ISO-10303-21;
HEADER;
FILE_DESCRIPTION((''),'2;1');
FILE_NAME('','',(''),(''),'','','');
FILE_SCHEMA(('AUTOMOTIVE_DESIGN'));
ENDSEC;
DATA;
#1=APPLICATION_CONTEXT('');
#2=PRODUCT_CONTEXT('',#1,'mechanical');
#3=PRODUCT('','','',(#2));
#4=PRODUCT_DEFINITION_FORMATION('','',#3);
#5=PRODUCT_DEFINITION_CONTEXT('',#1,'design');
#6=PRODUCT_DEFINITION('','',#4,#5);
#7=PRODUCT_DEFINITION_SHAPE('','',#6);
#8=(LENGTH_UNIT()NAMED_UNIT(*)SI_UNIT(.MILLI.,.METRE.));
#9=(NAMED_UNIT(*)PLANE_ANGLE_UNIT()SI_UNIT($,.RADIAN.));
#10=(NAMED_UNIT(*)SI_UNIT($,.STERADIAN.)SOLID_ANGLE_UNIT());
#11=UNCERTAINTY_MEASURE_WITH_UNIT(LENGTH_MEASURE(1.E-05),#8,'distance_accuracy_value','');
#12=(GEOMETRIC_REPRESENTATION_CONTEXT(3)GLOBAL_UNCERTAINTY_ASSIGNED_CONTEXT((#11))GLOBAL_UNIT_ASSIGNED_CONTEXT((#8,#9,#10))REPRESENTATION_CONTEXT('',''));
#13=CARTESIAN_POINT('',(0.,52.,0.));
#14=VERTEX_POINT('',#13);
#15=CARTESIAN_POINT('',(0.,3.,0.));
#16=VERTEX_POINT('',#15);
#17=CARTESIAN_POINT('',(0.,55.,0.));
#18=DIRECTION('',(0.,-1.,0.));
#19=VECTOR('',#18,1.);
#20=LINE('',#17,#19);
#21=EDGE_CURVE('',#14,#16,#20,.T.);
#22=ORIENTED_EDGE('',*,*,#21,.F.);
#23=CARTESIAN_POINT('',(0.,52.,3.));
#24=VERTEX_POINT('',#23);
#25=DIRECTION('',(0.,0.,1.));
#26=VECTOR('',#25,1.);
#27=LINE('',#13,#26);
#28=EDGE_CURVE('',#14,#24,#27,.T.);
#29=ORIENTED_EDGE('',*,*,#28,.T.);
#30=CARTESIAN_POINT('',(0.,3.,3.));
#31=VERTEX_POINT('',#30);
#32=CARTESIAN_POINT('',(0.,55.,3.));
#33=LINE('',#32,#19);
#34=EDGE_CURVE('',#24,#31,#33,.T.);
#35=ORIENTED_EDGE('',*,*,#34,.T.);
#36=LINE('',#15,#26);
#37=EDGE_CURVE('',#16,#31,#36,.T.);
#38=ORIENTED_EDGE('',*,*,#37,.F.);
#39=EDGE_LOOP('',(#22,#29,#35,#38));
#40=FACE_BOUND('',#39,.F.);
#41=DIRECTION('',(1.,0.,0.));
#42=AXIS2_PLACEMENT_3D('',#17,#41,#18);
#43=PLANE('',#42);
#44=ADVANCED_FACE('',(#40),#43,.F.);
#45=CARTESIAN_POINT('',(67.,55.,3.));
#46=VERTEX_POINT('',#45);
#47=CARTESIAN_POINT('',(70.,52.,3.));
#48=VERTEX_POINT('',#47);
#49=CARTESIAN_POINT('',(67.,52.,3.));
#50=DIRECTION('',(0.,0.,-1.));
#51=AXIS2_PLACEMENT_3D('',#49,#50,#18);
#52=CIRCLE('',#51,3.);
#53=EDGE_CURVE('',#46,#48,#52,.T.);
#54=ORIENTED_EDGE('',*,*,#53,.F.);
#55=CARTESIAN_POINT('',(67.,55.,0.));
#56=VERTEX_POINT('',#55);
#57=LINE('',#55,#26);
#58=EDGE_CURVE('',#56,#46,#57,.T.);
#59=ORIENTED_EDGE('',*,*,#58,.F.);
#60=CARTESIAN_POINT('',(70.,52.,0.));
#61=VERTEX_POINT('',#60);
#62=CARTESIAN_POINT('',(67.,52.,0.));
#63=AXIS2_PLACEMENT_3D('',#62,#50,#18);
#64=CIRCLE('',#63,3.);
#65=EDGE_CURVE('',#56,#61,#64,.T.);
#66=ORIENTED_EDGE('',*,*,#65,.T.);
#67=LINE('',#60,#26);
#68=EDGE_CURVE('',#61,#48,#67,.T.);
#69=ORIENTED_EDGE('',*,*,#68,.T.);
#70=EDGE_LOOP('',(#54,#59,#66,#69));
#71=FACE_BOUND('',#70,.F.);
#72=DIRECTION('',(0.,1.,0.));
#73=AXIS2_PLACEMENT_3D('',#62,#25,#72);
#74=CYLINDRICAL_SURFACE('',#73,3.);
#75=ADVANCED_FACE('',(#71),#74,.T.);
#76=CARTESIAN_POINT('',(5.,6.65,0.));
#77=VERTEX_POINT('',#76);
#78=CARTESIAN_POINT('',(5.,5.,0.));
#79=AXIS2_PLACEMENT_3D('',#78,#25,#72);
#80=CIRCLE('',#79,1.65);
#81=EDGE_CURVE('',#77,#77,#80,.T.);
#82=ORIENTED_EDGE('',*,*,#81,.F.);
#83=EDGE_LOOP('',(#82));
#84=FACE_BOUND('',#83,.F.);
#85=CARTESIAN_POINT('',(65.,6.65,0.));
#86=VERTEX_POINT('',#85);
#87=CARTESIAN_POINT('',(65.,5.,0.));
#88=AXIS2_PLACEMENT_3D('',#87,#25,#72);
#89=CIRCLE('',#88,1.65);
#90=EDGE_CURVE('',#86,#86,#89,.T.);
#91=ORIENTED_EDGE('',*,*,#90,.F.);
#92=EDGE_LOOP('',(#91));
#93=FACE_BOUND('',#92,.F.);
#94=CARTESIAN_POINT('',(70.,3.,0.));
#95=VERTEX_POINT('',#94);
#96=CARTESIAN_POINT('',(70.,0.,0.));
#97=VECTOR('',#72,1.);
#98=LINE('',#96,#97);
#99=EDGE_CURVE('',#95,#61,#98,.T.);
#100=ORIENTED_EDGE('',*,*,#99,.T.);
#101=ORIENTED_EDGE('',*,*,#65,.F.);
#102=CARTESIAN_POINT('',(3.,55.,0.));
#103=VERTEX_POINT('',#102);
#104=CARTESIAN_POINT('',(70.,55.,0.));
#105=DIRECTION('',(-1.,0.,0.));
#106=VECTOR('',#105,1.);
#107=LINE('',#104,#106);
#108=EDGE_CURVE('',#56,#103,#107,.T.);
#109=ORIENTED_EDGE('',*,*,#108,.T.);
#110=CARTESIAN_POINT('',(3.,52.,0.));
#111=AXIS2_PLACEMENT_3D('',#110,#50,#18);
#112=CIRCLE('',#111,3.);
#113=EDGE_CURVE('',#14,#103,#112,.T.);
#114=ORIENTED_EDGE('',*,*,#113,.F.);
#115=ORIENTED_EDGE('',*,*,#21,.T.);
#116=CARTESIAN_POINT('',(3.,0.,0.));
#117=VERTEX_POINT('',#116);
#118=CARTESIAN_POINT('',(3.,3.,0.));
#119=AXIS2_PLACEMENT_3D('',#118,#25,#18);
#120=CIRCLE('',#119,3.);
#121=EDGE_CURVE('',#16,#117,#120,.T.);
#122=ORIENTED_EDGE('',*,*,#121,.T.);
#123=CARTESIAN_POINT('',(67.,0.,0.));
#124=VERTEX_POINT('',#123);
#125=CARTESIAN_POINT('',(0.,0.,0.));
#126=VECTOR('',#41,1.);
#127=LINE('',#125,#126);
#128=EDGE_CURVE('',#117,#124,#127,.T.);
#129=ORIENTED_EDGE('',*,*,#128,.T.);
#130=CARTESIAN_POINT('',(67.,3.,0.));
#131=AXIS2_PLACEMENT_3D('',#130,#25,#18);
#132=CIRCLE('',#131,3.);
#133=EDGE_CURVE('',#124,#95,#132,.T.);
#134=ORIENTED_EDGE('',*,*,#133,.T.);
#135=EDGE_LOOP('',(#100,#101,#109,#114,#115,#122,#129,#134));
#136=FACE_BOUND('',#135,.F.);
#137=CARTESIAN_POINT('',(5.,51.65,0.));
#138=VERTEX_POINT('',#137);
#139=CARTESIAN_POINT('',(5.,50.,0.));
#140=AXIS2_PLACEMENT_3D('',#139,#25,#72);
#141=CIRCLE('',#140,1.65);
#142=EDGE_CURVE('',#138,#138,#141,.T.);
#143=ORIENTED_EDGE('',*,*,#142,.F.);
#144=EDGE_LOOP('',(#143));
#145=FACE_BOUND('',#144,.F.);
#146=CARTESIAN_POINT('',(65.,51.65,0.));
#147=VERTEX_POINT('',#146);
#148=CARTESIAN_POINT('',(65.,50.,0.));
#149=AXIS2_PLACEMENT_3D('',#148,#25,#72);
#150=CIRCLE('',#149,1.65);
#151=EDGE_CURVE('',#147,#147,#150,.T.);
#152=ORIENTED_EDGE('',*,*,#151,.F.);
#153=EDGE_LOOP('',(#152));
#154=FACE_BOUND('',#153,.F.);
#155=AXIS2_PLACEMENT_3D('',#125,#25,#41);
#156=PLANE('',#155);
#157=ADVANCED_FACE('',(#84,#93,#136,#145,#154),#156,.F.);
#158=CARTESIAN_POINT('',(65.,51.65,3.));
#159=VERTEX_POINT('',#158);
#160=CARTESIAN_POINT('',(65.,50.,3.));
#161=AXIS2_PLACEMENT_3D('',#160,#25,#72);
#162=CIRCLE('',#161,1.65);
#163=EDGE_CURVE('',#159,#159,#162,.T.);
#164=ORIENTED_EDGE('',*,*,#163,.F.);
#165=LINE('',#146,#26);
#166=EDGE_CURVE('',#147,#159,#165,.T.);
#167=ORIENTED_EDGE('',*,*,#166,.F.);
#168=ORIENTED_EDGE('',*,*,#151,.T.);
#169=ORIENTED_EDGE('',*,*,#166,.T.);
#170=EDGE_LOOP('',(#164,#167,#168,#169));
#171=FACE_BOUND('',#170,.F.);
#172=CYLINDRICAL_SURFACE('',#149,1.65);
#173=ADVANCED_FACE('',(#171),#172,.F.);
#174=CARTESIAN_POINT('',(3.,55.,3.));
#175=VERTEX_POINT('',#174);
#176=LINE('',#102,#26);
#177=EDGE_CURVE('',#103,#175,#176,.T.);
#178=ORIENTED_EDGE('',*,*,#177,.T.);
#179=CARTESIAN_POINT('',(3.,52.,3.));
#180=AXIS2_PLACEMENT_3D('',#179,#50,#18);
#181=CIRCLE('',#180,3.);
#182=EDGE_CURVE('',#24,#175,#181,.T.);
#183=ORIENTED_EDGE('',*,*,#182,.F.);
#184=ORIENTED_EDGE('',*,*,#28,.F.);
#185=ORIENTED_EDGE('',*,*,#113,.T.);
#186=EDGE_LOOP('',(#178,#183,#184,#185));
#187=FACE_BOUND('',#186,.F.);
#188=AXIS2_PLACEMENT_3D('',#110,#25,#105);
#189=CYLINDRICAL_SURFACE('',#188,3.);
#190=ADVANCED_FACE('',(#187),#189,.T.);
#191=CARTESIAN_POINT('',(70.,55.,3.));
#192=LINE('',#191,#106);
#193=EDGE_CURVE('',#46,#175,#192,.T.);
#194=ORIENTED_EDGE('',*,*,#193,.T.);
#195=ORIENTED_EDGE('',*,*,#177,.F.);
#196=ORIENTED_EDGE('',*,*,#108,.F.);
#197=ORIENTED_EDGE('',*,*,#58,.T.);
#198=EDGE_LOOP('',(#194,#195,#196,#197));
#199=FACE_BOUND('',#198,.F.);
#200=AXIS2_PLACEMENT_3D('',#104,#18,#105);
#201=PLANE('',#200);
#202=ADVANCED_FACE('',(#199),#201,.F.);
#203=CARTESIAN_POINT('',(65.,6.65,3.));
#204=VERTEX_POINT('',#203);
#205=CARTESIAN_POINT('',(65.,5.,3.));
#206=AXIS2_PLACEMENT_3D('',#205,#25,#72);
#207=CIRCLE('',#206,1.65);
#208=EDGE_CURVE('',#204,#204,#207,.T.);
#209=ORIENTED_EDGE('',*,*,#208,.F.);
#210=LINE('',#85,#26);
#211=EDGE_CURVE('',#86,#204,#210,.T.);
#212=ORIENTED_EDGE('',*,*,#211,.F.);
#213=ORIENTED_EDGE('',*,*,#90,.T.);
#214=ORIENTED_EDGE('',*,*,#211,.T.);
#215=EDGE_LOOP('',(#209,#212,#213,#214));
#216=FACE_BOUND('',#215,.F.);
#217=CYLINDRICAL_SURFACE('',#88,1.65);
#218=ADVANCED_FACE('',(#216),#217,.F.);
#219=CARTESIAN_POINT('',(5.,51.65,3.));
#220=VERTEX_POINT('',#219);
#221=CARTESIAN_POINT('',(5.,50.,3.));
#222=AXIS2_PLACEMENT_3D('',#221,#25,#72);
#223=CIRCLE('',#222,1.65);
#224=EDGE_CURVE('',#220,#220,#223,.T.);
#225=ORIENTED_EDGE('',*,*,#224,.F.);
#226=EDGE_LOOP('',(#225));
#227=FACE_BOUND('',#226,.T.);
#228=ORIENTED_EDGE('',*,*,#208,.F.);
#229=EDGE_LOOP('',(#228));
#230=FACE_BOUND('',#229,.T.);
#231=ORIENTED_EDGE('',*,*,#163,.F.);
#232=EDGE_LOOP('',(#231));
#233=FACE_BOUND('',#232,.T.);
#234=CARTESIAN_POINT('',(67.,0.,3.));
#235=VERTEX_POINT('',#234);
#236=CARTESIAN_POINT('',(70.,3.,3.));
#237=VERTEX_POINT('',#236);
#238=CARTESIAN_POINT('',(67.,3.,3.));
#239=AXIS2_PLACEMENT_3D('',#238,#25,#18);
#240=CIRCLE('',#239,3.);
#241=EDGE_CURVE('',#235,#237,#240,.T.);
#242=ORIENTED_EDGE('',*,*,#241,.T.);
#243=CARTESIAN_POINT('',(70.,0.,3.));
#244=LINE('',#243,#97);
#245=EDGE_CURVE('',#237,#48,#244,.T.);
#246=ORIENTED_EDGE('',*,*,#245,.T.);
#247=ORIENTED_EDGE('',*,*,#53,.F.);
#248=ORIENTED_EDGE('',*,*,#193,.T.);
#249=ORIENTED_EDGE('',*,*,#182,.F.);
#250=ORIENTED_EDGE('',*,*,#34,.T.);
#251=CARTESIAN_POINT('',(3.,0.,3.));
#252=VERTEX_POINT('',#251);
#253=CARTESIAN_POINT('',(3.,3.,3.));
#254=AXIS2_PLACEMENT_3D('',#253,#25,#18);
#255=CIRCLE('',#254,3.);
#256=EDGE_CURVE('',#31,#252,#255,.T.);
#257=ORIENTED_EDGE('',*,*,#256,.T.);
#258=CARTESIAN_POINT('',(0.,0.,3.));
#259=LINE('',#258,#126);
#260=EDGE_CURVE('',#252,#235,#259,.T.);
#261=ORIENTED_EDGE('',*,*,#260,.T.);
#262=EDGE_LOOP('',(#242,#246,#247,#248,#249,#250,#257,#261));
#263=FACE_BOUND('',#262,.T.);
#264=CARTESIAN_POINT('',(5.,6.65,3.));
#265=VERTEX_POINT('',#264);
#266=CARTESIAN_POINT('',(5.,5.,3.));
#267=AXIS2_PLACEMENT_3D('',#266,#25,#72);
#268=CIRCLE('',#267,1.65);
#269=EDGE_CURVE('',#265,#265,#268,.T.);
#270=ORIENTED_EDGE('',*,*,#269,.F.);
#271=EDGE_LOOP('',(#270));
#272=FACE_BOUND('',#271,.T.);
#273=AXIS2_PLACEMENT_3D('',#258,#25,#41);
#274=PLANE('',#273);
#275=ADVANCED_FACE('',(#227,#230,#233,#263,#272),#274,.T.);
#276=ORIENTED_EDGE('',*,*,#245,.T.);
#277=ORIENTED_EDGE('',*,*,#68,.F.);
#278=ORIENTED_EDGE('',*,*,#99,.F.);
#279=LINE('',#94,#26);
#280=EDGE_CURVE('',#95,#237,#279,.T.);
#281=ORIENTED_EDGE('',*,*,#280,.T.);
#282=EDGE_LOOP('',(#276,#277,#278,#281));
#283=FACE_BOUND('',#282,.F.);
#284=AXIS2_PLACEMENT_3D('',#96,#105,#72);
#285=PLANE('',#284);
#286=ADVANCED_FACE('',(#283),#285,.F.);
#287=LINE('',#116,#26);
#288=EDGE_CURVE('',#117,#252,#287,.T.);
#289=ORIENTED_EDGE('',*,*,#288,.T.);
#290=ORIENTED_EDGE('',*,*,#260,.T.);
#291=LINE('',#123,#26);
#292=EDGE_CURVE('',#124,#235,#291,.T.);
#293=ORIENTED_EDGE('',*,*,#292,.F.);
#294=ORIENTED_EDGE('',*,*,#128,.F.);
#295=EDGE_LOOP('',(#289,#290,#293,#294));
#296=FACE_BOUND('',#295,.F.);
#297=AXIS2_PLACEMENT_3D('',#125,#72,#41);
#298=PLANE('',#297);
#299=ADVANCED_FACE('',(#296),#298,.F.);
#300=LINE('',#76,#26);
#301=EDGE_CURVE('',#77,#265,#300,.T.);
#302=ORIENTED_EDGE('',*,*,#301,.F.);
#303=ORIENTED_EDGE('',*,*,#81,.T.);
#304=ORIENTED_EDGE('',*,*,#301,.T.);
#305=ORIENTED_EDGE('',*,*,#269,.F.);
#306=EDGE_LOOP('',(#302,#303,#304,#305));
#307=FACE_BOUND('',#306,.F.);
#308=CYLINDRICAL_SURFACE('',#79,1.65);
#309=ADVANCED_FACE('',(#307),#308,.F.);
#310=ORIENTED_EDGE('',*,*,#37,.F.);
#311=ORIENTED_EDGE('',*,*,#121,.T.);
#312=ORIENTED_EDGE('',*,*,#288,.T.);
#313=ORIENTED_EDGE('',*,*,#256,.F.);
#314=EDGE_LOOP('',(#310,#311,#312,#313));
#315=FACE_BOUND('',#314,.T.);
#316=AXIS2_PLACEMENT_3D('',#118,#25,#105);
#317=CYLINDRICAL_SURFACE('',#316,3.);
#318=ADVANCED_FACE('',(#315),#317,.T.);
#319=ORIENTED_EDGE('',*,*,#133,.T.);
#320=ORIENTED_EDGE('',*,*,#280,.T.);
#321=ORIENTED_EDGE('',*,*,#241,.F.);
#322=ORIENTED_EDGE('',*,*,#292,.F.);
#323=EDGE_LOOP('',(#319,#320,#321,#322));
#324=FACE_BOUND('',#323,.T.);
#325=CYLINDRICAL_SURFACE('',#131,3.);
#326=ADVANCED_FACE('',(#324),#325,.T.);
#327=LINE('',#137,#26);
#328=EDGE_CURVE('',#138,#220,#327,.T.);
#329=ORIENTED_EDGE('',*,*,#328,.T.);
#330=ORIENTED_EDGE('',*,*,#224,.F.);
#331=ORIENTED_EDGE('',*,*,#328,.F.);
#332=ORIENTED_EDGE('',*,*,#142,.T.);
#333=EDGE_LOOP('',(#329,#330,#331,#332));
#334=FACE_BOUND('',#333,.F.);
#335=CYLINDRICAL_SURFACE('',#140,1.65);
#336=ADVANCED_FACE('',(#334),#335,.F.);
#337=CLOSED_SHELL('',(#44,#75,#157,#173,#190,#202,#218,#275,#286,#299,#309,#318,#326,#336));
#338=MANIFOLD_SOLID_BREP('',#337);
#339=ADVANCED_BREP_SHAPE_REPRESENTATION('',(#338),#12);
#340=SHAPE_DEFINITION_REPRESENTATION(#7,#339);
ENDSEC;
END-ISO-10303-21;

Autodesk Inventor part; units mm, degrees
ref_plane "YZ Plane" through (0, 0, 0) normal (1, 0, 0) x (0, 1, 0)
ref_plane "XZ Plane" through (0, 0, 0) normal (0, 1, 0) x (-1, 0, 0)
ref_plane "XY Plane" through (0, 0, 0) normal (0, 0, 1) x (1, 0, 0)
sketch "Sketch1" plane through (0, 0, 0) normal (0, 0, 1) x (1, 0, 0)
  line L0 (0, 0) -> (70, 0)
  line L1 (70, 0) -> (70, 55)
  line L2 (70, 55) -> (0, 55)
  line L3 (0, 55) -> (0, 0)
  point P0 (5, 50)
  point P1 (65, 50)
  point P2 (65, 5)
  point P3 (5, 5)
  dimension "d0" = 70
  dimension "d1" = 55
  dimension "d13" = 5
  dimension "d14" = 5
  dimension "d18" = 60
  dimension "d19" = 45
extrude "Extrusion1" add sketch "Sketch1" along normal blind 3
sketch "Sketch3" plane through (0, 0, 0) normal (0, 0, 1) x (1, 0, 0)
  line L0 (0, 0) -> (70, 0)
  line L1 (70, 0) -> (70, 55)
  line L2 (70, 55) -> (0, 55)
  line L3 (0, 55) -> (0, 0)
  point P0 (5, 50)
  point P1 (65, 50)
  point P2 (65, 5)
  point P3 (5, 5)
  dimension "d20" = 70
  dimension "d21" = 55
  dimension "d22" = 5
  dimension "d23" = 5
  dimension "d24" = 60
  dimension "d25" = 45
hole "Hole1" at (5, 50, 0) at (65, 50, 0) at (65, 5, 0) at (5, 5, 0) direction (0, 0, 1) diameter 3.3 end through all
fillet "Fillet1" radius 3 4 edges at (70, 55, 1.5) (70, 0, 1.5) (0, 0, 1.5) (0, 55, 1.5)
sketch "Sketch4" plane through (0, 0, 3) normal (0, 0, 1) x (1, 0, 0)
  arc A0 (3, 55) -> (0, 52) centre (3, 52) ccw projected
  line L0 (0, 52) -> (0, 3) projected
  arc A1 (0, 3) -> (3, 0) centre (3, 3) ccw projected
  line L1 (3, 0) -> (67, 0) projected
  arc A2 (67, 0) -> (70, 3) centre (67, 3) ccw projected
  line L2 (70, 3) -> (70, 52) projected
  arc A3 (70, 52) -> (67, 55) centre (67, 52) ccw projected
  line L3 (67, 55) -> (3, 55) projected
  circle A4 centre (65, 5) radius 1.65 projected
  circle A5 centre (5, 50) radius 1.65 projected
  circle A6 centre (65, 50) radius 1.65 projected
  circle A7 centre (5, 5) radius 1.65 projected
  point P0 (0, 0)
properties part number "BasePixhawk"
